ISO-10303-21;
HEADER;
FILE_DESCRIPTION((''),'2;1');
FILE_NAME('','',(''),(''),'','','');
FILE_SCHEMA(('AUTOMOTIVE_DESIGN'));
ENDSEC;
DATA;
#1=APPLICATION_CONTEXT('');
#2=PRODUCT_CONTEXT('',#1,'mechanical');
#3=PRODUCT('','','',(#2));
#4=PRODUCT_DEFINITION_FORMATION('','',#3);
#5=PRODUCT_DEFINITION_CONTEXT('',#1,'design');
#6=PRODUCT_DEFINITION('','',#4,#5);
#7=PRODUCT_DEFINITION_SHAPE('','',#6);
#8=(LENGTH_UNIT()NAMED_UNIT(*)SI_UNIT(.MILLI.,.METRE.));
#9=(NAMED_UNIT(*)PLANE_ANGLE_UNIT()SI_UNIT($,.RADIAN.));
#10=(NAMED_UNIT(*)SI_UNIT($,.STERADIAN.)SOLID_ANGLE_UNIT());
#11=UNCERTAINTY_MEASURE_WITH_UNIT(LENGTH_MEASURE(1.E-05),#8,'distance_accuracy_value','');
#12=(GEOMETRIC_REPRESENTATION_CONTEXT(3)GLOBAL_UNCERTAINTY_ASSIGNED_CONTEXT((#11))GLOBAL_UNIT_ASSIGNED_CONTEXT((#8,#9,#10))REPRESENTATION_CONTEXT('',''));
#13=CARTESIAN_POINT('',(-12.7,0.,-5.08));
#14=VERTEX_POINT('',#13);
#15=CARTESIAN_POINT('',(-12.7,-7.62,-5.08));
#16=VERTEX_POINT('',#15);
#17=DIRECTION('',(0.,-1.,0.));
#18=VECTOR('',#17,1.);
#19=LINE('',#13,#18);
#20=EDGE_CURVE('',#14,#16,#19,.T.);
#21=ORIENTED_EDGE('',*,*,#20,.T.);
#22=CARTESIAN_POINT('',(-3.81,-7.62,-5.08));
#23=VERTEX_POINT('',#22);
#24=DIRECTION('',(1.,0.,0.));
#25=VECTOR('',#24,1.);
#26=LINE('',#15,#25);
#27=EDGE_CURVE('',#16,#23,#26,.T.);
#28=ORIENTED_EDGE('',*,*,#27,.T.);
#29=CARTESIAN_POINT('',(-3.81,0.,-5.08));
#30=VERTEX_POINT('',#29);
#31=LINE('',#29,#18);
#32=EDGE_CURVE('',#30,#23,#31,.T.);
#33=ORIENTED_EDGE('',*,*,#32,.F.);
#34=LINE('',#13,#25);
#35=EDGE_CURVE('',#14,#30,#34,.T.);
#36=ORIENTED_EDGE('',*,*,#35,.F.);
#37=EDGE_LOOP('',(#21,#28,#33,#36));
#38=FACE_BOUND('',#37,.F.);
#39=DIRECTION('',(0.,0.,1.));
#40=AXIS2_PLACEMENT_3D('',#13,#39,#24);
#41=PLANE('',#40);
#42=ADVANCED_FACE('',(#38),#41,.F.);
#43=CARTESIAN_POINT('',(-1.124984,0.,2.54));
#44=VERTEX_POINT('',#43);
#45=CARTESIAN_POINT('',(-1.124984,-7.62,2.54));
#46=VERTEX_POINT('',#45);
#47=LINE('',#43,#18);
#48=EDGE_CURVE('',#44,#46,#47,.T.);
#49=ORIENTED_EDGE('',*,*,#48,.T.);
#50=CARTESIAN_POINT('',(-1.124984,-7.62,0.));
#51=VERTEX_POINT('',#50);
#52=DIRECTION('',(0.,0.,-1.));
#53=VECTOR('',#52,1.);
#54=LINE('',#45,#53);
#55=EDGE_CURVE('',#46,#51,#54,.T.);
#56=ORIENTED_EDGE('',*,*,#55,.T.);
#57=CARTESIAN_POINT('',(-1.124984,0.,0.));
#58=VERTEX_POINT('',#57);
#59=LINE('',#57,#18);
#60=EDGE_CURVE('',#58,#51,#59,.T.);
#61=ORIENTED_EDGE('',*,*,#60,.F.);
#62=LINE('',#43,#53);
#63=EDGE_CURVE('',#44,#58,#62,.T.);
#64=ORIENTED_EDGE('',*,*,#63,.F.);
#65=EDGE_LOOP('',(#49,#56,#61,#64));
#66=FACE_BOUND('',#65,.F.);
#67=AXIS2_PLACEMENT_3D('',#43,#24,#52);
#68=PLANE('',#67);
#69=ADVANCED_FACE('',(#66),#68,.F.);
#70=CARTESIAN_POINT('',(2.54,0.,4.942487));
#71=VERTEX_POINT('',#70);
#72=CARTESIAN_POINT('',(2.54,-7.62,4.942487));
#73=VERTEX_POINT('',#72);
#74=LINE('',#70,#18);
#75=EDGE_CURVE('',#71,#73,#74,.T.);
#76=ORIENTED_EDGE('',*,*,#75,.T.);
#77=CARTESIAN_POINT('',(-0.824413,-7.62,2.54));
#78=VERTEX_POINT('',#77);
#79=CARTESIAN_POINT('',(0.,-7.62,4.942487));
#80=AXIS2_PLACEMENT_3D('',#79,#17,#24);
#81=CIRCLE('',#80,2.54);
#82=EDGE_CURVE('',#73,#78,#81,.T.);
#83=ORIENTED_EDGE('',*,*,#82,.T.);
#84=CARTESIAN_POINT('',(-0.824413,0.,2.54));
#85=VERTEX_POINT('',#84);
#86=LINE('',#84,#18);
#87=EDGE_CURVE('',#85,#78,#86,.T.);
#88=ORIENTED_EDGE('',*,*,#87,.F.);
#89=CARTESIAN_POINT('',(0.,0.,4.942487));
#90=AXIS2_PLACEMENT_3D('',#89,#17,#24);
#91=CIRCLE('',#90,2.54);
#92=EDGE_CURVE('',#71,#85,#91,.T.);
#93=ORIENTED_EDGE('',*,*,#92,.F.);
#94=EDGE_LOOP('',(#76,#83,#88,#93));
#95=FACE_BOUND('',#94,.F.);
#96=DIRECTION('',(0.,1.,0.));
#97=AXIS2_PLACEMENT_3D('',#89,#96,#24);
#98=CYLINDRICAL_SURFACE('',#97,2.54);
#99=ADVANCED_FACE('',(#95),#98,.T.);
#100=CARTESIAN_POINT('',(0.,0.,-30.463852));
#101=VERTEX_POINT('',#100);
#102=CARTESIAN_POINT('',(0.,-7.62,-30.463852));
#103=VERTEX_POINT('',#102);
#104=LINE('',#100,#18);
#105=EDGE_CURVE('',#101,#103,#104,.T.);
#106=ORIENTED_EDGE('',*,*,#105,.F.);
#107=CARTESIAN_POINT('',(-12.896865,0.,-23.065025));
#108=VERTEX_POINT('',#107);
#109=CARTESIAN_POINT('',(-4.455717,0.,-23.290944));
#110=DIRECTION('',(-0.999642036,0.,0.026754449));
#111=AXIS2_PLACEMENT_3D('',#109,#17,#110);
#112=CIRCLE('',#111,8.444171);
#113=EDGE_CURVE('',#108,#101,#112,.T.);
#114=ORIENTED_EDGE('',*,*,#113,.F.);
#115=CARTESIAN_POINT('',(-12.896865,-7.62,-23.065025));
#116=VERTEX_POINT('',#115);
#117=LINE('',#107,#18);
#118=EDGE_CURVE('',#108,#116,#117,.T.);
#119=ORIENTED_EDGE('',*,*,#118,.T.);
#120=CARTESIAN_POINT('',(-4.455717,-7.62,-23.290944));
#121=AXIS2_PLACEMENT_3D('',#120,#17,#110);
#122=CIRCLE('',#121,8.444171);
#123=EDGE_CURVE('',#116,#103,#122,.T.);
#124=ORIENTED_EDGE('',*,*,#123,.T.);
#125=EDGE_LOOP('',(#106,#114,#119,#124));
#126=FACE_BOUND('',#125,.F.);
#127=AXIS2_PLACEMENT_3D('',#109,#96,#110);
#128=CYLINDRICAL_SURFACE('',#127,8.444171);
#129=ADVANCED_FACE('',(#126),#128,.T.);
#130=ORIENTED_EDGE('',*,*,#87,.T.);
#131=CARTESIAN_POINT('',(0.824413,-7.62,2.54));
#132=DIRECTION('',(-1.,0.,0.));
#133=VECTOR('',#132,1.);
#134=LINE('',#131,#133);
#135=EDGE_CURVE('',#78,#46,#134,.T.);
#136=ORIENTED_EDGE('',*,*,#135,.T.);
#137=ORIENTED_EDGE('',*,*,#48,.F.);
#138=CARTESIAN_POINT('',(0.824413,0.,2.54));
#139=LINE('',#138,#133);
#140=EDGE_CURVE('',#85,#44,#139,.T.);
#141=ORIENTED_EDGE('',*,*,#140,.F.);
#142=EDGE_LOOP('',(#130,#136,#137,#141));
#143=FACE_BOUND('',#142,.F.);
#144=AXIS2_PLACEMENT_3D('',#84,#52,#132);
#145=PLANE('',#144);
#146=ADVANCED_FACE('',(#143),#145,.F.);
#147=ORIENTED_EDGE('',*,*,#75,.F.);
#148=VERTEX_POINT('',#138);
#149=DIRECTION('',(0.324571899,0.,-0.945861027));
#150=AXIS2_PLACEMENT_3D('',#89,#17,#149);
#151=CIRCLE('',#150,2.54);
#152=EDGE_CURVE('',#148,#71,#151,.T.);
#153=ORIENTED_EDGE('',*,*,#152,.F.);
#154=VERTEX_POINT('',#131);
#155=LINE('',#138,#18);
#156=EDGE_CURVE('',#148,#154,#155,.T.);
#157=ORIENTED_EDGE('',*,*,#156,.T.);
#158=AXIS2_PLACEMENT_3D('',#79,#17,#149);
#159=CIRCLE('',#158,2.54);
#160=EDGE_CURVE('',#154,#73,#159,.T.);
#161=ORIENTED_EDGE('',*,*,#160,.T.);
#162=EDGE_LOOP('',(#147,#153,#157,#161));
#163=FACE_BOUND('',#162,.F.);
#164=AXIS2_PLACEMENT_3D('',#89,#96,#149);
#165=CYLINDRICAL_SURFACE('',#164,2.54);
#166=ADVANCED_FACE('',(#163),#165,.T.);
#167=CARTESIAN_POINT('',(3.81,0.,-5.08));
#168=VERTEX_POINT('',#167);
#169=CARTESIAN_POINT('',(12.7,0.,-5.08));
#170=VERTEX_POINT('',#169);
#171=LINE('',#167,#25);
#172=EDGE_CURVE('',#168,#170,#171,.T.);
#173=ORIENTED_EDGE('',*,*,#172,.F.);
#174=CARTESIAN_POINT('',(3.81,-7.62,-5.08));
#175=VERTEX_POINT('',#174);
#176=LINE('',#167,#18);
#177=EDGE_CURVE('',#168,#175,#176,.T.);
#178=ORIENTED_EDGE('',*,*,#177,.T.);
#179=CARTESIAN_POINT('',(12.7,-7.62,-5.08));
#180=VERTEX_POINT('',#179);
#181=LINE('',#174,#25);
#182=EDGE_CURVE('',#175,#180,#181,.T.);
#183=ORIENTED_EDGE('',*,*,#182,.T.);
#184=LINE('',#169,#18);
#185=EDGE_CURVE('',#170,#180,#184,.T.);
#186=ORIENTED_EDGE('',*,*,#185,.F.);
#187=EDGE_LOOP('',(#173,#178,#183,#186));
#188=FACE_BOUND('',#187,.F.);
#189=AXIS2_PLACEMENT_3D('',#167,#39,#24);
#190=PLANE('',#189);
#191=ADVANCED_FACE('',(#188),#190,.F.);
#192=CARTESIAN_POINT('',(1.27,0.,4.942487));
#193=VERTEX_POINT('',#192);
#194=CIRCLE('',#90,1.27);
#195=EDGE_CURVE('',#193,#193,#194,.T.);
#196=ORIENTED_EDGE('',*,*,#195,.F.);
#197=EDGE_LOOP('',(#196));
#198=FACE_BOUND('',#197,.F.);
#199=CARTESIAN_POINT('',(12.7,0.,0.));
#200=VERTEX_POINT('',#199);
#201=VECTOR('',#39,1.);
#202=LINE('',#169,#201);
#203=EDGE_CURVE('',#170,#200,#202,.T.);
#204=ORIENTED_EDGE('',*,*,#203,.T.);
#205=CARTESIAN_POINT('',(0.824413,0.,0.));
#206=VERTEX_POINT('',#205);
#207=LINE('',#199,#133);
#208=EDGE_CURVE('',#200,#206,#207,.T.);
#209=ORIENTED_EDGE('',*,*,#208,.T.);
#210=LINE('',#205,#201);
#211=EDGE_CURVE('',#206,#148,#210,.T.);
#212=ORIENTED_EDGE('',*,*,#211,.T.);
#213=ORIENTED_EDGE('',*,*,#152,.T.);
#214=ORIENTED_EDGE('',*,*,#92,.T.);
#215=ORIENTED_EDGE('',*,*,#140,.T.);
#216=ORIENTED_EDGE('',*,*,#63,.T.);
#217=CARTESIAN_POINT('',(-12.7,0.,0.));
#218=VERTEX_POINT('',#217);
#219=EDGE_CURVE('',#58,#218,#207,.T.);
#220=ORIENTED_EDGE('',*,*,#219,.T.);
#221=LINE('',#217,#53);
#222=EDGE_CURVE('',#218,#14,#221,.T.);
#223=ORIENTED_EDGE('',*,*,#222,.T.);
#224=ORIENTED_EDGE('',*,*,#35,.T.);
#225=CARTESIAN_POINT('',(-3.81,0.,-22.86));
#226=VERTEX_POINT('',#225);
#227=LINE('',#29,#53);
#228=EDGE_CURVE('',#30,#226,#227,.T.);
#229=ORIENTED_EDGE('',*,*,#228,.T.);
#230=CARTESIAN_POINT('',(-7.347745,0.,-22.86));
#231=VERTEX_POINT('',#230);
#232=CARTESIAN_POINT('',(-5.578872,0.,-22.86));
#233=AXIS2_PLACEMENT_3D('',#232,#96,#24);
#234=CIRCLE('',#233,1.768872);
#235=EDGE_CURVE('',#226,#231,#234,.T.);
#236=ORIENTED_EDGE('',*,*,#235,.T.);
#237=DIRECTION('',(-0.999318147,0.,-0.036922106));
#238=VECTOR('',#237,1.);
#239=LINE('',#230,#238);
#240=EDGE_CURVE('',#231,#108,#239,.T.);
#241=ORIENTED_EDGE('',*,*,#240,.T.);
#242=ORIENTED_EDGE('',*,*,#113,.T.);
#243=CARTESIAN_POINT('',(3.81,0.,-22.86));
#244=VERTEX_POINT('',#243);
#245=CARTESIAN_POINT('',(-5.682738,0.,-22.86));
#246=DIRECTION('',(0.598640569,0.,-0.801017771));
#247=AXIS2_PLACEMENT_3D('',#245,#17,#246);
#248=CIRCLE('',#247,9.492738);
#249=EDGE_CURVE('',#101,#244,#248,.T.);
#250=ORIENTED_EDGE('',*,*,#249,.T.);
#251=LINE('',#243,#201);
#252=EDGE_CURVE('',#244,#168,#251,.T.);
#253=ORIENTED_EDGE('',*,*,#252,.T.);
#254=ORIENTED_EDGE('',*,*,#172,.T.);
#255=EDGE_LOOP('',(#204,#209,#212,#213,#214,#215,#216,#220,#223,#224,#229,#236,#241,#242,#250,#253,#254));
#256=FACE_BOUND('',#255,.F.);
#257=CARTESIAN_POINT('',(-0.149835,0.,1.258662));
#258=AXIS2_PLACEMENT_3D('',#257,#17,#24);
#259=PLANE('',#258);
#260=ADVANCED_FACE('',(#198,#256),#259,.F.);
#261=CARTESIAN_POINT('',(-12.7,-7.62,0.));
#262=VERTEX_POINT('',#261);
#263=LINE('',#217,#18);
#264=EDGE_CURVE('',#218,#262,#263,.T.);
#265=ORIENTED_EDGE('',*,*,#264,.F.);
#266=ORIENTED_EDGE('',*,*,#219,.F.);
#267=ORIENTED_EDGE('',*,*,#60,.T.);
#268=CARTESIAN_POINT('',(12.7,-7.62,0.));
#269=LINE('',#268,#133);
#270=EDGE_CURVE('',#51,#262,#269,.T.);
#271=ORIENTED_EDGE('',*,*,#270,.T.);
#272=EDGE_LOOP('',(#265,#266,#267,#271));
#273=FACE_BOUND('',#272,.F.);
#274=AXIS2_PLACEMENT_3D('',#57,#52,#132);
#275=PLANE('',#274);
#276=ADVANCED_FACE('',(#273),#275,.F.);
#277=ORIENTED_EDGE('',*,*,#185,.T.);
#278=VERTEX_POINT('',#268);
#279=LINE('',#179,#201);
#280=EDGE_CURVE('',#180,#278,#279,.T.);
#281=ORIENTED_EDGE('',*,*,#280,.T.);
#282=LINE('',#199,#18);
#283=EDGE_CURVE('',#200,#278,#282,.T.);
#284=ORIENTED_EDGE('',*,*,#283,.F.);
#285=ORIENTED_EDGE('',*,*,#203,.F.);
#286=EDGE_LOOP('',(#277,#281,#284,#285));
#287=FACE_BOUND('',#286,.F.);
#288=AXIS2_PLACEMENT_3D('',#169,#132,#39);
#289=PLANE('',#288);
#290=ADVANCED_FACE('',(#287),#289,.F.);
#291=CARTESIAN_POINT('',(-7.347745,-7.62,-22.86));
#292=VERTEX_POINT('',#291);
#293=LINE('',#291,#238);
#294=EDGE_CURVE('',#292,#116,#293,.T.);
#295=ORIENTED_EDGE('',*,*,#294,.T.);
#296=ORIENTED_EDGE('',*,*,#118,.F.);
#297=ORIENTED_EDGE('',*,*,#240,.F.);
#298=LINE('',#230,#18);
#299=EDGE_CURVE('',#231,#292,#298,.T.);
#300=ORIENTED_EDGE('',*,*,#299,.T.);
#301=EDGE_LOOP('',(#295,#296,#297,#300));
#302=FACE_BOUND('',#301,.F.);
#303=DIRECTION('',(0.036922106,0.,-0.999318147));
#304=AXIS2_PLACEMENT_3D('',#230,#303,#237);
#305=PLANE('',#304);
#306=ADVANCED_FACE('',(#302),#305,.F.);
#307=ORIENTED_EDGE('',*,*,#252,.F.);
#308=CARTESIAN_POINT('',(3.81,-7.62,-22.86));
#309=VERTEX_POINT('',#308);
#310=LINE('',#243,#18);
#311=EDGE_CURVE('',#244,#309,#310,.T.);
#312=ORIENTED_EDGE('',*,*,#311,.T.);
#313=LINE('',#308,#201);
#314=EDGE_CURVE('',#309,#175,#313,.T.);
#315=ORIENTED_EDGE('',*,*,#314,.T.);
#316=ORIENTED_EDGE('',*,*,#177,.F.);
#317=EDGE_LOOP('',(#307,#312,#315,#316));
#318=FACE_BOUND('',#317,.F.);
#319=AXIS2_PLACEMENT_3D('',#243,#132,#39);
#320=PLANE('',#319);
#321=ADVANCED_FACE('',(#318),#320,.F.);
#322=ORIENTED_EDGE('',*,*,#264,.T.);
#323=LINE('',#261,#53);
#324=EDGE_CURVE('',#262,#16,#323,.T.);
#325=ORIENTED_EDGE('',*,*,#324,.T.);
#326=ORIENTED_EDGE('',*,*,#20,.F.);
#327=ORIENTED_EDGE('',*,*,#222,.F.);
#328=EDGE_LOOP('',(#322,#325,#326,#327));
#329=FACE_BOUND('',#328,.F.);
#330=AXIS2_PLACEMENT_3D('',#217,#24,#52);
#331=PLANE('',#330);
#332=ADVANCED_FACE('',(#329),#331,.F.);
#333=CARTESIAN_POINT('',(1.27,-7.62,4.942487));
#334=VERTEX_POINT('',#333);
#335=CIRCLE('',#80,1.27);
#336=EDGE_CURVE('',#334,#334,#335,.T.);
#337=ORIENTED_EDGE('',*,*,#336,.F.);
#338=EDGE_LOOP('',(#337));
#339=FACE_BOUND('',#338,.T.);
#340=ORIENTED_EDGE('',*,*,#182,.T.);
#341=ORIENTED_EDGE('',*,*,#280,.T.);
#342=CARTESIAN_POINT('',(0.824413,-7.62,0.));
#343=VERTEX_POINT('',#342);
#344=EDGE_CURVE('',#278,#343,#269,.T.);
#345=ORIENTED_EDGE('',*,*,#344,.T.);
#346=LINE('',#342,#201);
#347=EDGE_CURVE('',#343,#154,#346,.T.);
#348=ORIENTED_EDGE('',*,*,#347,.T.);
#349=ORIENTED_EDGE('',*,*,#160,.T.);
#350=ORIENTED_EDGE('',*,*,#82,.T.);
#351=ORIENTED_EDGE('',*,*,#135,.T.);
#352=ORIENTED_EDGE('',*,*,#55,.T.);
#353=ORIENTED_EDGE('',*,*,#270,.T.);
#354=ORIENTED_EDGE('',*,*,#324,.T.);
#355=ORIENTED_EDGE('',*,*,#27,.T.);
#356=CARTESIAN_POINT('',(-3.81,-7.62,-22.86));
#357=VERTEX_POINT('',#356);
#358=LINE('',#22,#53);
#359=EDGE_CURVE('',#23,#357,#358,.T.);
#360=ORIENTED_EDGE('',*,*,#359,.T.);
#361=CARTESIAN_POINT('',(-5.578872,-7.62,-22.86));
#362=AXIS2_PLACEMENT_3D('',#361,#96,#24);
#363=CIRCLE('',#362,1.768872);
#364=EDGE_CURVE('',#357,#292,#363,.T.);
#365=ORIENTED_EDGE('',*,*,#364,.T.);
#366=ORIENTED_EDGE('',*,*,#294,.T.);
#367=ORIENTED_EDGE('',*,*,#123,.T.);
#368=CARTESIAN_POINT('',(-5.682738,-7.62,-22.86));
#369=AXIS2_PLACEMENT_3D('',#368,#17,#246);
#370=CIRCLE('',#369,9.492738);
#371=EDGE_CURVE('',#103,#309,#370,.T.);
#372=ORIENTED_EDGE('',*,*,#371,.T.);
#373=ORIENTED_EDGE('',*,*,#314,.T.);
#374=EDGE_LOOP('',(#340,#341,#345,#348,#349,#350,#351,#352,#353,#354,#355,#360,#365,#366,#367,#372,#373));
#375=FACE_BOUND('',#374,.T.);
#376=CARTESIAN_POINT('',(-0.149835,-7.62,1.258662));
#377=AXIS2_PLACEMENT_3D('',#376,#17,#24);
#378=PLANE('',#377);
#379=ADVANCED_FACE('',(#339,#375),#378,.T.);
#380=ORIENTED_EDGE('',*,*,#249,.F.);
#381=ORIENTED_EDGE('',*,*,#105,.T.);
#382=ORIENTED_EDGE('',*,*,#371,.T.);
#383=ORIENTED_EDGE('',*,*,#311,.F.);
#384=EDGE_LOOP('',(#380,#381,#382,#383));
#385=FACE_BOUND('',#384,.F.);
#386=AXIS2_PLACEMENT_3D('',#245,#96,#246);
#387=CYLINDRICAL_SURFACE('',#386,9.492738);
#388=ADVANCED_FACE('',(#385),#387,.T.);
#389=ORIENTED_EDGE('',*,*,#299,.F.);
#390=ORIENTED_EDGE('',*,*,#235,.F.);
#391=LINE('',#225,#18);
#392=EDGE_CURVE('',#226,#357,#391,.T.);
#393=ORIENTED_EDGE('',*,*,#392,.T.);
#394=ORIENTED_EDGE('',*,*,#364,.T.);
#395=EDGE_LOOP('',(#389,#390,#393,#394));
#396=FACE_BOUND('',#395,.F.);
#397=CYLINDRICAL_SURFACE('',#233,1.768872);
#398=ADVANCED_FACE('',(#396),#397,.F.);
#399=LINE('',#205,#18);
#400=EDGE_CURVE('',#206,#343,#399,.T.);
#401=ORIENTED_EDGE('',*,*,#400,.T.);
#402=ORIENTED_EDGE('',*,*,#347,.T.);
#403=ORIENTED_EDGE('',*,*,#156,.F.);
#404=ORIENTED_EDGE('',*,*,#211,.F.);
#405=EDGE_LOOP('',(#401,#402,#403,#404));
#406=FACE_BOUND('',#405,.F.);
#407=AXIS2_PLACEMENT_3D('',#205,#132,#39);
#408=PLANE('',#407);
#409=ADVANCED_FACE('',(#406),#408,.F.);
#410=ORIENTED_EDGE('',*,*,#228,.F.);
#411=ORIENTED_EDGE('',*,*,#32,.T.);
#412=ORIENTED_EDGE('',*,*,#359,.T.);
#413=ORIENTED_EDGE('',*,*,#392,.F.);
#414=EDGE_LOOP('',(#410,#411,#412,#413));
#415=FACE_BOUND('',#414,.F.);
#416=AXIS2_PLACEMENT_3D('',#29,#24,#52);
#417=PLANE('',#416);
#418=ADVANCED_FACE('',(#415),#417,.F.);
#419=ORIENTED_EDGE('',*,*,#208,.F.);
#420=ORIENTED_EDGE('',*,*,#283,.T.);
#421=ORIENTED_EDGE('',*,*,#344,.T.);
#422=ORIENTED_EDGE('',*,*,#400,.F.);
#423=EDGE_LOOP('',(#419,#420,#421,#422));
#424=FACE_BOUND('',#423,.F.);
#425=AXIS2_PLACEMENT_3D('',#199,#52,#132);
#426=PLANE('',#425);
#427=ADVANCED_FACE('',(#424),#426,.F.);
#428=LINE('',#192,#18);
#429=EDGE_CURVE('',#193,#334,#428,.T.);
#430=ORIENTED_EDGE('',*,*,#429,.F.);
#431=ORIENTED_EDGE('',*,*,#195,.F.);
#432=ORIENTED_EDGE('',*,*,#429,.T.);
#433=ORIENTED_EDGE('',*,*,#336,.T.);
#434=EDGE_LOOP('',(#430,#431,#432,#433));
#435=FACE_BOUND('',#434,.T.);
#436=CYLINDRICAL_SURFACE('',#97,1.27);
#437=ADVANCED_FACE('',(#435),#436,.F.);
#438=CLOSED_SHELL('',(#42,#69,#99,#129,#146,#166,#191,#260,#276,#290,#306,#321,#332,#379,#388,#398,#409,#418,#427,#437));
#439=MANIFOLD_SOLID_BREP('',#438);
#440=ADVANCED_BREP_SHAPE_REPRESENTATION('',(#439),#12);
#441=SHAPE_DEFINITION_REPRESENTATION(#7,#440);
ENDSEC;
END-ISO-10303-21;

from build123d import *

# Parameters (mm, degrees)
F0_R     = 1.27
F1_DEPTH = 7.62


with BuildPart() as f1:
    # F0 (on Front) → F1 (new body)
    with BuildSketch(Plane.XZ):
        with BuildLine():
            Line((-1.1249838863, 0), (0, 0))
            Line((0, 0), (0.8244126237, 0))
            Line((0.8244126237, 0), (0.8244126237, 2.54))
            ThreePointArc((0.8244126237, 2.54), (0, 2.4024870085), (-0.8244126237, 2.54))
            Line((-0.8244126237, 2.54), (-1.1249838863, 2.54))
            Line((-1.1249838863, 2.54), (-1.1249838863, 0))
        make_face()
        with BuildLine():
            Line((0.8244126237, 0), (0, 0))
            Line((0, 0), (-1.1249838863, 0))
            Line((-1.1249838863, 0), (-12.7, 0))
            Line((-12.7, 0), (-12.7, -5.08))
            Line((-12.7, -5.08), (-3.81, -5.08))
            Line((-3.81, -5.08), (-3.81, -22.86))
            ThreePointArc((-3.81, -22.86), (-5.5788724448, -24.6288724448), (-7.3477448896, -22.86))
            Line((-7.3477448896, -22.86), (-12.896864675, -23.0650249869))
            ThreePointArc((-12.896864675, -23.0650249869), (-8.6576895541, -30.6153855835), (0, -30.4638519883))
            ThreePointArc((0, -30.4638519883), (2.8042172177, -27.1124894197), (3.81, -22.86))
            Line((3.81, -22.86), (3.81, -5.08))
            Line((3.81, -5.08), (12.7, -5.08))
            Line((12.7, -5.08), (12.7, 0))
            Line((12.7, 0), (0.8244126237, 0))
        make_face()
        with BuildLine():
            ThreePointArc((-0.8244126237, 2.54), (0, 2.4024870085), (0.8244126237, 2.54))
            Line((0.8244126237, 2.54), (-0.8244126237, 2.54))
        make_face()
        with BuildLine():
            Line((-0.8244126237, 2.54), (0.8244126237, 2.54))
            ThreePointArc((0.8244126237, 2.54), (2.0670762038, 3.4664124955), (2.54, 4.9424870085))
            ThreePointArc((2.54, 4.9424870085), (-1.476074513, 7.0095632122), (-0.8244126237, 2.54))
        make_face()
        with Locations((0, 4.9424870085)):
            Circle(F0_R, mode=Mode.SUBTRACT)
    extrude(amount=F1_DEPTH)


solid = f1.part
